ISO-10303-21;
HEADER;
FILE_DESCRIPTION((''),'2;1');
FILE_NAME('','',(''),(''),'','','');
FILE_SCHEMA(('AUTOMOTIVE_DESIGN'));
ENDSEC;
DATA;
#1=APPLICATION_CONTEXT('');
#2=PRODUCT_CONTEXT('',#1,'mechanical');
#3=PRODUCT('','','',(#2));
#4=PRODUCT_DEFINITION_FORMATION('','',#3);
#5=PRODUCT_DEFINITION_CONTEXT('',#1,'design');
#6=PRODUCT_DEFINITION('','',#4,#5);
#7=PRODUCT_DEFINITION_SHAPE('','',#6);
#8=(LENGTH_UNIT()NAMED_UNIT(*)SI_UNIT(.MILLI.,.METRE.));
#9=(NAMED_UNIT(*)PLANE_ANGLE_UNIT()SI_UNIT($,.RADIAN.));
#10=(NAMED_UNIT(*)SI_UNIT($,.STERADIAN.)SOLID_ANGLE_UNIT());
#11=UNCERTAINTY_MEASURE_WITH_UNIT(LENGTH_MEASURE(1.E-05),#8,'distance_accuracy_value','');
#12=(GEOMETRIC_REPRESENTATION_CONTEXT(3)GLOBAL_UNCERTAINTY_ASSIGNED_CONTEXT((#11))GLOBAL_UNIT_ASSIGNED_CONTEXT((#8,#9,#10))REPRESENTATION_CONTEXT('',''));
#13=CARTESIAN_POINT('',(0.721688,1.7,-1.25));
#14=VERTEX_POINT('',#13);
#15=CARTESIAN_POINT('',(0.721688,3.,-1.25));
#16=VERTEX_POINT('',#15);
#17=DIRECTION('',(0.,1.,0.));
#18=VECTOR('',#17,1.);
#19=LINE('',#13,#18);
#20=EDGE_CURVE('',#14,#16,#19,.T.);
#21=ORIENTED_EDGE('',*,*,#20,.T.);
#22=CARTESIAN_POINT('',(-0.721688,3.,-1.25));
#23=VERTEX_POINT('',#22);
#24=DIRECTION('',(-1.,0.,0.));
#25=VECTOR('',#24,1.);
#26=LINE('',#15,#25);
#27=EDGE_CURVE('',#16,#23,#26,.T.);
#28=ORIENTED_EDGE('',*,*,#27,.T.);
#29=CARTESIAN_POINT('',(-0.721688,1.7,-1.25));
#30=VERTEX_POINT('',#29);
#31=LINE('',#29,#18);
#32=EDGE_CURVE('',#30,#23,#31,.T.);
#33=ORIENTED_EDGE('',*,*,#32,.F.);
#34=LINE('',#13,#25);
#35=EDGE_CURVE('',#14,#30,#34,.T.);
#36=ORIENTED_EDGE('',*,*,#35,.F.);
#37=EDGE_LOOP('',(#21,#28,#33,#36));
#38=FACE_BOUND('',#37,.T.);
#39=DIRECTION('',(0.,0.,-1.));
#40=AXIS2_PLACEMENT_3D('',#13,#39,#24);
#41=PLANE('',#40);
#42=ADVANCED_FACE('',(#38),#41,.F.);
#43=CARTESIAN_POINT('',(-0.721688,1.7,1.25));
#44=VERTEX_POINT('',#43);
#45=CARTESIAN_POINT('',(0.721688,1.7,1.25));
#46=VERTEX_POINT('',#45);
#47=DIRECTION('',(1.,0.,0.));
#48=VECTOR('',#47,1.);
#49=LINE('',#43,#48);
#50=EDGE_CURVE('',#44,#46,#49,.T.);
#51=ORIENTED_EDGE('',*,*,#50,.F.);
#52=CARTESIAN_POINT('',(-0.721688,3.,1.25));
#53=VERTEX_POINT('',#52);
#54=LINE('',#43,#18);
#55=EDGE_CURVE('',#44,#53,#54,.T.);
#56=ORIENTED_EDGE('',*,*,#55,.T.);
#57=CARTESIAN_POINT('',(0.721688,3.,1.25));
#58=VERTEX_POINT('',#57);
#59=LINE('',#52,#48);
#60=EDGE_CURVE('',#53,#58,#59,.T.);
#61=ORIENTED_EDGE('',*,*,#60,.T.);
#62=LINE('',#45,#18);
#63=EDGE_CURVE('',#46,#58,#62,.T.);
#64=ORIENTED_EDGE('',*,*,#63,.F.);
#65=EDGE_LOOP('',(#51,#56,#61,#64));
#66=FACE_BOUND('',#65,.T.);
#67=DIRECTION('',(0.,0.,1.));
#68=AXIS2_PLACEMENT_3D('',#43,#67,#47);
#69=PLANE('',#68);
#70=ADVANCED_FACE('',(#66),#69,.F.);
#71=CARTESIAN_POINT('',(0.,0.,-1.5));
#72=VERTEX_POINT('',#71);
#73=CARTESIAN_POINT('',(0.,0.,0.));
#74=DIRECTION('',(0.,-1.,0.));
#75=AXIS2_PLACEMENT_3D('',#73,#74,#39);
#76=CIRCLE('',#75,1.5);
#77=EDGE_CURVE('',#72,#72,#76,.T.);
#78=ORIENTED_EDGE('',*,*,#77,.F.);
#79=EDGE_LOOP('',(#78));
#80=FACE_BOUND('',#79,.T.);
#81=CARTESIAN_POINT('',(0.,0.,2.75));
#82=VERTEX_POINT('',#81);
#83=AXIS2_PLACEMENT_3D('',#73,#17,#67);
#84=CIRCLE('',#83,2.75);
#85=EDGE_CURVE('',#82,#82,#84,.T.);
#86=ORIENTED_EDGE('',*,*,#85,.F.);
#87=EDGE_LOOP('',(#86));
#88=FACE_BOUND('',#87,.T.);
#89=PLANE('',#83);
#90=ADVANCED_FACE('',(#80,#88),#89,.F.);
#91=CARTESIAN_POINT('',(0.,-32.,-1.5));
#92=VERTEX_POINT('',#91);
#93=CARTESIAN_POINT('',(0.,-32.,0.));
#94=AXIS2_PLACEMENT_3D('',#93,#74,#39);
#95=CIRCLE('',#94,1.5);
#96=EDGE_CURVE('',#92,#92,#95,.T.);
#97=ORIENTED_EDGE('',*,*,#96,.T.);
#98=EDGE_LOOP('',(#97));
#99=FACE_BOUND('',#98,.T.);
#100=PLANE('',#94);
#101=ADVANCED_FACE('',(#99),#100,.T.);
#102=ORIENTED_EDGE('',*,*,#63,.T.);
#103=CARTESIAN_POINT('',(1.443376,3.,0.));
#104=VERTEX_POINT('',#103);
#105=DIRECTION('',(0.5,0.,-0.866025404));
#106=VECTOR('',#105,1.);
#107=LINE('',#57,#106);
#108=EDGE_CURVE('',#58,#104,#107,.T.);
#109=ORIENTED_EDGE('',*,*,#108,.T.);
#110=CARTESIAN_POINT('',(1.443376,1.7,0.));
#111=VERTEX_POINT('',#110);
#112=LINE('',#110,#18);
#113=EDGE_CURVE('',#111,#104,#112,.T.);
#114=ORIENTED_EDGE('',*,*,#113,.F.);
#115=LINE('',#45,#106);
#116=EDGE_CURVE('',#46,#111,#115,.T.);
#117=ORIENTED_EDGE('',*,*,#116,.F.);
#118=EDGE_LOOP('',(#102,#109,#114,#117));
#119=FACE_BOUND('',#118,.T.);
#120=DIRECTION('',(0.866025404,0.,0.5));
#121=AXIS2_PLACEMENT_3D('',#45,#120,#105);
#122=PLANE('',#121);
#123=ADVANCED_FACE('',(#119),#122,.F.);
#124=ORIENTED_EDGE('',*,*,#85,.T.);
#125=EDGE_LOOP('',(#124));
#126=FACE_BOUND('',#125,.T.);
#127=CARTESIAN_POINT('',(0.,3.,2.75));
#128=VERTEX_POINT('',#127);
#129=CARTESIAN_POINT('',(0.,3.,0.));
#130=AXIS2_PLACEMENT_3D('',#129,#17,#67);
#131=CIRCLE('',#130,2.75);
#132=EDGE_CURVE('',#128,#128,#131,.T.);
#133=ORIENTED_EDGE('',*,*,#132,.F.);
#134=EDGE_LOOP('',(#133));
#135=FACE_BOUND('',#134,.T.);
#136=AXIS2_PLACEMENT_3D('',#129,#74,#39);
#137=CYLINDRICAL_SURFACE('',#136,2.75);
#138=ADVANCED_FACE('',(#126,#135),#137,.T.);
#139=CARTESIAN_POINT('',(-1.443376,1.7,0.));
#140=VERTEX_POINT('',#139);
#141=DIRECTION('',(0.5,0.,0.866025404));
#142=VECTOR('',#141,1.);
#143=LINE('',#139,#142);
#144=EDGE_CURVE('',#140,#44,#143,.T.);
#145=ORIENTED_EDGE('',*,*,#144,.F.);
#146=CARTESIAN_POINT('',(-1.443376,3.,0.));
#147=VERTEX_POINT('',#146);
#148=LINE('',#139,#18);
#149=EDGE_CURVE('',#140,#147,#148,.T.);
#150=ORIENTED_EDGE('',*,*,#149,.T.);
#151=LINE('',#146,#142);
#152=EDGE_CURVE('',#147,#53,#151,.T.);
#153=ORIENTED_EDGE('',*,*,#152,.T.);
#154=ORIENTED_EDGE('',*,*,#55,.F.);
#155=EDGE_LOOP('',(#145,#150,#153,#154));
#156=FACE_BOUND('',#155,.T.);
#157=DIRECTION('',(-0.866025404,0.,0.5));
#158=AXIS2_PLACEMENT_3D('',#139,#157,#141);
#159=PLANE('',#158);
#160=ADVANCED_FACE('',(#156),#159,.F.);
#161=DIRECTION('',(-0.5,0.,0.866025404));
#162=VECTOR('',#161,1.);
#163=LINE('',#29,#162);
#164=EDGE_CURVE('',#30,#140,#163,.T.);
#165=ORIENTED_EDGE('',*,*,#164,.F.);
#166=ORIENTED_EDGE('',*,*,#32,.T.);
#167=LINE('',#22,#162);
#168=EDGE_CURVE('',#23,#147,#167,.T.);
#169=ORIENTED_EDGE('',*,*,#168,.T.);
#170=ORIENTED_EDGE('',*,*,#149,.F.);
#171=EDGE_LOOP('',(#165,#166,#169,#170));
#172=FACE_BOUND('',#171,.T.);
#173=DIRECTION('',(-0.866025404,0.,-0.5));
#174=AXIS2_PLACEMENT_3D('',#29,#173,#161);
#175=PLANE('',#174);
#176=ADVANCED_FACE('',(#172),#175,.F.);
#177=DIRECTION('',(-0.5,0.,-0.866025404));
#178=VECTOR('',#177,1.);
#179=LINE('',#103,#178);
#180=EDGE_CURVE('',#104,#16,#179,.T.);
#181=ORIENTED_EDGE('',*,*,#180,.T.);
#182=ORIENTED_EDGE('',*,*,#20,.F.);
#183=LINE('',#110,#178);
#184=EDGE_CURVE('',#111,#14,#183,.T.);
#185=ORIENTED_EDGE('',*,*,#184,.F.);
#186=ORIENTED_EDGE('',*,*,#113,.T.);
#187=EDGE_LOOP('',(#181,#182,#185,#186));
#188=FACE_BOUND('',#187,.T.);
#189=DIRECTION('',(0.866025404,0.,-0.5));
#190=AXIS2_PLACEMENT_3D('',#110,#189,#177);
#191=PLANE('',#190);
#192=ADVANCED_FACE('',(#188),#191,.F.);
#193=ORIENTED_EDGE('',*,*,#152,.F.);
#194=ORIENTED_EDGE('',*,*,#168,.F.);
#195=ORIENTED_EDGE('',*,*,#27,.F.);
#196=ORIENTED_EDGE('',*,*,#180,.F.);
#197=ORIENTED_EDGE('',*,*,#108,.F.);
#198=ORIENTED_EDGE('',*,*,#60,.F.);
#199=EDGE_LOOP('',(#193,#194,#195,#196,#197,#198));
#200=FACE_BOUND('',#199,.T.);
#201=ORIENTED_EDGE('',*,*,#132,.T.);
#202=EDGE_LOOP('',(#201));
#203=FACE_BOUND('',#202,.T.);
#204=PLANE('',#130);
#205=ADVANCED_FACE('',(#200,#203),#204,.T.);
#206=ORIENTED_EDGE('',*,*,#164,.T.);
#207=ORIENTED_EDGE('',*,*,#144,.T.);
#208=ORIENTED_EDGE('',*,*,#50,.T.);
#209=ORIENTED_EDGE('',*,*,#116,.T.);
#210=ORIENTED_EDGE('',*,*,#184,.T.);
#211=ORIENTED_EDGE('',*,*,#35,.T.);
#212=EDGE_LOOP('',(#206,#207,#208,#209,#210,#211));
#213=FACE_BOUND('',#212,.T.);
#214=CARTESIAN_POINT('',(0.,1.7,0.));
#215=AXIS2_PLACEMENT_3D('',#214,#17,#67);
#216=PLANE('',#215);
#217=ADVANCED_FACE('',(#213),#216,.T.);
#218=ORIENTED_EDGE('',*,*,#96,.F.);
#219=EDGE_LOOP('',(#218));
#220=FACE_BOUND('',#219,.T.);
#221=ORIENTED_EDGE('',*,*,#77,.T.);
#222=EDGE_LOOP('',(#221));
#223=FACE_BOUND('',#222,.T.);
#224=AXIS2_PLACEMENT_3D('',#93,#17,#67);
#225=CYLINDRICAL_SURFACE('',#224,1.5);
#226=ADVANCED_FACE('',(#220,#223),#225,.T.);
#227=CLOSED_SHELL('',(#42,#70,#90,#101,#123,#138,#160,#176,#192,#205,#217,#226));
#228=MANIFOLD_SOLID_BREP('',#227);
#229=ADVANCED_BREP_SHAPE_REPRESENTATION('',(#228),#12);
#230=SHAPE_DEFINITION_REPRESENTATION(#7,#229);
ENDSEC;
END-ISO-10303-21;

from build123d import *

# Parameters (mm, degrees)
SKETCH_1_R            = 2.75
EXTRUDE_248_DEPTH     = 3
CUT_EXTRUDE_378_DEPTH = 1.3
SKETCH_3_R            = 1.5
EXTRUDE_479_DEPTH     = 32


with BuildPart() as part:
    # 草图1 → Extrude 248 (new body)
    with BuildSketch(Plane(origin=(0, 0, 0), x_dir=(1, 0, 0), z_dir=(0, 1, 0))):
        Circle(SKETCH_1_R)
    extrude(amount=EXTRUDE_248_DEPTH)

    # 草图2 → Cut-Extrude 378 (cut)
    with BuildSketch(Plane(origin=(0, 3, 0), x_dir=(1, 0, 0), z_dir=(0, 1, 0))):
        Polygon((1.443375673, 0), (0.721687836, 1.25), (-0.721687836, 1.25), (-1.443375673, 0), (-0.721687836, -1.25), (0.721687836, -1.25), align=None)
    extrude(amount=-CUT_EXTRUDE_378_DEPTH, mode=Mode.SUBTRACT)

    # 草图3 → Extrude 479 (add)
    with BuildSketch(Plane.XZ):
        Circle(SKETCH_3_R)
    extrude(amount=EXTRUDE_479_DEPTH)


solid = part.part
